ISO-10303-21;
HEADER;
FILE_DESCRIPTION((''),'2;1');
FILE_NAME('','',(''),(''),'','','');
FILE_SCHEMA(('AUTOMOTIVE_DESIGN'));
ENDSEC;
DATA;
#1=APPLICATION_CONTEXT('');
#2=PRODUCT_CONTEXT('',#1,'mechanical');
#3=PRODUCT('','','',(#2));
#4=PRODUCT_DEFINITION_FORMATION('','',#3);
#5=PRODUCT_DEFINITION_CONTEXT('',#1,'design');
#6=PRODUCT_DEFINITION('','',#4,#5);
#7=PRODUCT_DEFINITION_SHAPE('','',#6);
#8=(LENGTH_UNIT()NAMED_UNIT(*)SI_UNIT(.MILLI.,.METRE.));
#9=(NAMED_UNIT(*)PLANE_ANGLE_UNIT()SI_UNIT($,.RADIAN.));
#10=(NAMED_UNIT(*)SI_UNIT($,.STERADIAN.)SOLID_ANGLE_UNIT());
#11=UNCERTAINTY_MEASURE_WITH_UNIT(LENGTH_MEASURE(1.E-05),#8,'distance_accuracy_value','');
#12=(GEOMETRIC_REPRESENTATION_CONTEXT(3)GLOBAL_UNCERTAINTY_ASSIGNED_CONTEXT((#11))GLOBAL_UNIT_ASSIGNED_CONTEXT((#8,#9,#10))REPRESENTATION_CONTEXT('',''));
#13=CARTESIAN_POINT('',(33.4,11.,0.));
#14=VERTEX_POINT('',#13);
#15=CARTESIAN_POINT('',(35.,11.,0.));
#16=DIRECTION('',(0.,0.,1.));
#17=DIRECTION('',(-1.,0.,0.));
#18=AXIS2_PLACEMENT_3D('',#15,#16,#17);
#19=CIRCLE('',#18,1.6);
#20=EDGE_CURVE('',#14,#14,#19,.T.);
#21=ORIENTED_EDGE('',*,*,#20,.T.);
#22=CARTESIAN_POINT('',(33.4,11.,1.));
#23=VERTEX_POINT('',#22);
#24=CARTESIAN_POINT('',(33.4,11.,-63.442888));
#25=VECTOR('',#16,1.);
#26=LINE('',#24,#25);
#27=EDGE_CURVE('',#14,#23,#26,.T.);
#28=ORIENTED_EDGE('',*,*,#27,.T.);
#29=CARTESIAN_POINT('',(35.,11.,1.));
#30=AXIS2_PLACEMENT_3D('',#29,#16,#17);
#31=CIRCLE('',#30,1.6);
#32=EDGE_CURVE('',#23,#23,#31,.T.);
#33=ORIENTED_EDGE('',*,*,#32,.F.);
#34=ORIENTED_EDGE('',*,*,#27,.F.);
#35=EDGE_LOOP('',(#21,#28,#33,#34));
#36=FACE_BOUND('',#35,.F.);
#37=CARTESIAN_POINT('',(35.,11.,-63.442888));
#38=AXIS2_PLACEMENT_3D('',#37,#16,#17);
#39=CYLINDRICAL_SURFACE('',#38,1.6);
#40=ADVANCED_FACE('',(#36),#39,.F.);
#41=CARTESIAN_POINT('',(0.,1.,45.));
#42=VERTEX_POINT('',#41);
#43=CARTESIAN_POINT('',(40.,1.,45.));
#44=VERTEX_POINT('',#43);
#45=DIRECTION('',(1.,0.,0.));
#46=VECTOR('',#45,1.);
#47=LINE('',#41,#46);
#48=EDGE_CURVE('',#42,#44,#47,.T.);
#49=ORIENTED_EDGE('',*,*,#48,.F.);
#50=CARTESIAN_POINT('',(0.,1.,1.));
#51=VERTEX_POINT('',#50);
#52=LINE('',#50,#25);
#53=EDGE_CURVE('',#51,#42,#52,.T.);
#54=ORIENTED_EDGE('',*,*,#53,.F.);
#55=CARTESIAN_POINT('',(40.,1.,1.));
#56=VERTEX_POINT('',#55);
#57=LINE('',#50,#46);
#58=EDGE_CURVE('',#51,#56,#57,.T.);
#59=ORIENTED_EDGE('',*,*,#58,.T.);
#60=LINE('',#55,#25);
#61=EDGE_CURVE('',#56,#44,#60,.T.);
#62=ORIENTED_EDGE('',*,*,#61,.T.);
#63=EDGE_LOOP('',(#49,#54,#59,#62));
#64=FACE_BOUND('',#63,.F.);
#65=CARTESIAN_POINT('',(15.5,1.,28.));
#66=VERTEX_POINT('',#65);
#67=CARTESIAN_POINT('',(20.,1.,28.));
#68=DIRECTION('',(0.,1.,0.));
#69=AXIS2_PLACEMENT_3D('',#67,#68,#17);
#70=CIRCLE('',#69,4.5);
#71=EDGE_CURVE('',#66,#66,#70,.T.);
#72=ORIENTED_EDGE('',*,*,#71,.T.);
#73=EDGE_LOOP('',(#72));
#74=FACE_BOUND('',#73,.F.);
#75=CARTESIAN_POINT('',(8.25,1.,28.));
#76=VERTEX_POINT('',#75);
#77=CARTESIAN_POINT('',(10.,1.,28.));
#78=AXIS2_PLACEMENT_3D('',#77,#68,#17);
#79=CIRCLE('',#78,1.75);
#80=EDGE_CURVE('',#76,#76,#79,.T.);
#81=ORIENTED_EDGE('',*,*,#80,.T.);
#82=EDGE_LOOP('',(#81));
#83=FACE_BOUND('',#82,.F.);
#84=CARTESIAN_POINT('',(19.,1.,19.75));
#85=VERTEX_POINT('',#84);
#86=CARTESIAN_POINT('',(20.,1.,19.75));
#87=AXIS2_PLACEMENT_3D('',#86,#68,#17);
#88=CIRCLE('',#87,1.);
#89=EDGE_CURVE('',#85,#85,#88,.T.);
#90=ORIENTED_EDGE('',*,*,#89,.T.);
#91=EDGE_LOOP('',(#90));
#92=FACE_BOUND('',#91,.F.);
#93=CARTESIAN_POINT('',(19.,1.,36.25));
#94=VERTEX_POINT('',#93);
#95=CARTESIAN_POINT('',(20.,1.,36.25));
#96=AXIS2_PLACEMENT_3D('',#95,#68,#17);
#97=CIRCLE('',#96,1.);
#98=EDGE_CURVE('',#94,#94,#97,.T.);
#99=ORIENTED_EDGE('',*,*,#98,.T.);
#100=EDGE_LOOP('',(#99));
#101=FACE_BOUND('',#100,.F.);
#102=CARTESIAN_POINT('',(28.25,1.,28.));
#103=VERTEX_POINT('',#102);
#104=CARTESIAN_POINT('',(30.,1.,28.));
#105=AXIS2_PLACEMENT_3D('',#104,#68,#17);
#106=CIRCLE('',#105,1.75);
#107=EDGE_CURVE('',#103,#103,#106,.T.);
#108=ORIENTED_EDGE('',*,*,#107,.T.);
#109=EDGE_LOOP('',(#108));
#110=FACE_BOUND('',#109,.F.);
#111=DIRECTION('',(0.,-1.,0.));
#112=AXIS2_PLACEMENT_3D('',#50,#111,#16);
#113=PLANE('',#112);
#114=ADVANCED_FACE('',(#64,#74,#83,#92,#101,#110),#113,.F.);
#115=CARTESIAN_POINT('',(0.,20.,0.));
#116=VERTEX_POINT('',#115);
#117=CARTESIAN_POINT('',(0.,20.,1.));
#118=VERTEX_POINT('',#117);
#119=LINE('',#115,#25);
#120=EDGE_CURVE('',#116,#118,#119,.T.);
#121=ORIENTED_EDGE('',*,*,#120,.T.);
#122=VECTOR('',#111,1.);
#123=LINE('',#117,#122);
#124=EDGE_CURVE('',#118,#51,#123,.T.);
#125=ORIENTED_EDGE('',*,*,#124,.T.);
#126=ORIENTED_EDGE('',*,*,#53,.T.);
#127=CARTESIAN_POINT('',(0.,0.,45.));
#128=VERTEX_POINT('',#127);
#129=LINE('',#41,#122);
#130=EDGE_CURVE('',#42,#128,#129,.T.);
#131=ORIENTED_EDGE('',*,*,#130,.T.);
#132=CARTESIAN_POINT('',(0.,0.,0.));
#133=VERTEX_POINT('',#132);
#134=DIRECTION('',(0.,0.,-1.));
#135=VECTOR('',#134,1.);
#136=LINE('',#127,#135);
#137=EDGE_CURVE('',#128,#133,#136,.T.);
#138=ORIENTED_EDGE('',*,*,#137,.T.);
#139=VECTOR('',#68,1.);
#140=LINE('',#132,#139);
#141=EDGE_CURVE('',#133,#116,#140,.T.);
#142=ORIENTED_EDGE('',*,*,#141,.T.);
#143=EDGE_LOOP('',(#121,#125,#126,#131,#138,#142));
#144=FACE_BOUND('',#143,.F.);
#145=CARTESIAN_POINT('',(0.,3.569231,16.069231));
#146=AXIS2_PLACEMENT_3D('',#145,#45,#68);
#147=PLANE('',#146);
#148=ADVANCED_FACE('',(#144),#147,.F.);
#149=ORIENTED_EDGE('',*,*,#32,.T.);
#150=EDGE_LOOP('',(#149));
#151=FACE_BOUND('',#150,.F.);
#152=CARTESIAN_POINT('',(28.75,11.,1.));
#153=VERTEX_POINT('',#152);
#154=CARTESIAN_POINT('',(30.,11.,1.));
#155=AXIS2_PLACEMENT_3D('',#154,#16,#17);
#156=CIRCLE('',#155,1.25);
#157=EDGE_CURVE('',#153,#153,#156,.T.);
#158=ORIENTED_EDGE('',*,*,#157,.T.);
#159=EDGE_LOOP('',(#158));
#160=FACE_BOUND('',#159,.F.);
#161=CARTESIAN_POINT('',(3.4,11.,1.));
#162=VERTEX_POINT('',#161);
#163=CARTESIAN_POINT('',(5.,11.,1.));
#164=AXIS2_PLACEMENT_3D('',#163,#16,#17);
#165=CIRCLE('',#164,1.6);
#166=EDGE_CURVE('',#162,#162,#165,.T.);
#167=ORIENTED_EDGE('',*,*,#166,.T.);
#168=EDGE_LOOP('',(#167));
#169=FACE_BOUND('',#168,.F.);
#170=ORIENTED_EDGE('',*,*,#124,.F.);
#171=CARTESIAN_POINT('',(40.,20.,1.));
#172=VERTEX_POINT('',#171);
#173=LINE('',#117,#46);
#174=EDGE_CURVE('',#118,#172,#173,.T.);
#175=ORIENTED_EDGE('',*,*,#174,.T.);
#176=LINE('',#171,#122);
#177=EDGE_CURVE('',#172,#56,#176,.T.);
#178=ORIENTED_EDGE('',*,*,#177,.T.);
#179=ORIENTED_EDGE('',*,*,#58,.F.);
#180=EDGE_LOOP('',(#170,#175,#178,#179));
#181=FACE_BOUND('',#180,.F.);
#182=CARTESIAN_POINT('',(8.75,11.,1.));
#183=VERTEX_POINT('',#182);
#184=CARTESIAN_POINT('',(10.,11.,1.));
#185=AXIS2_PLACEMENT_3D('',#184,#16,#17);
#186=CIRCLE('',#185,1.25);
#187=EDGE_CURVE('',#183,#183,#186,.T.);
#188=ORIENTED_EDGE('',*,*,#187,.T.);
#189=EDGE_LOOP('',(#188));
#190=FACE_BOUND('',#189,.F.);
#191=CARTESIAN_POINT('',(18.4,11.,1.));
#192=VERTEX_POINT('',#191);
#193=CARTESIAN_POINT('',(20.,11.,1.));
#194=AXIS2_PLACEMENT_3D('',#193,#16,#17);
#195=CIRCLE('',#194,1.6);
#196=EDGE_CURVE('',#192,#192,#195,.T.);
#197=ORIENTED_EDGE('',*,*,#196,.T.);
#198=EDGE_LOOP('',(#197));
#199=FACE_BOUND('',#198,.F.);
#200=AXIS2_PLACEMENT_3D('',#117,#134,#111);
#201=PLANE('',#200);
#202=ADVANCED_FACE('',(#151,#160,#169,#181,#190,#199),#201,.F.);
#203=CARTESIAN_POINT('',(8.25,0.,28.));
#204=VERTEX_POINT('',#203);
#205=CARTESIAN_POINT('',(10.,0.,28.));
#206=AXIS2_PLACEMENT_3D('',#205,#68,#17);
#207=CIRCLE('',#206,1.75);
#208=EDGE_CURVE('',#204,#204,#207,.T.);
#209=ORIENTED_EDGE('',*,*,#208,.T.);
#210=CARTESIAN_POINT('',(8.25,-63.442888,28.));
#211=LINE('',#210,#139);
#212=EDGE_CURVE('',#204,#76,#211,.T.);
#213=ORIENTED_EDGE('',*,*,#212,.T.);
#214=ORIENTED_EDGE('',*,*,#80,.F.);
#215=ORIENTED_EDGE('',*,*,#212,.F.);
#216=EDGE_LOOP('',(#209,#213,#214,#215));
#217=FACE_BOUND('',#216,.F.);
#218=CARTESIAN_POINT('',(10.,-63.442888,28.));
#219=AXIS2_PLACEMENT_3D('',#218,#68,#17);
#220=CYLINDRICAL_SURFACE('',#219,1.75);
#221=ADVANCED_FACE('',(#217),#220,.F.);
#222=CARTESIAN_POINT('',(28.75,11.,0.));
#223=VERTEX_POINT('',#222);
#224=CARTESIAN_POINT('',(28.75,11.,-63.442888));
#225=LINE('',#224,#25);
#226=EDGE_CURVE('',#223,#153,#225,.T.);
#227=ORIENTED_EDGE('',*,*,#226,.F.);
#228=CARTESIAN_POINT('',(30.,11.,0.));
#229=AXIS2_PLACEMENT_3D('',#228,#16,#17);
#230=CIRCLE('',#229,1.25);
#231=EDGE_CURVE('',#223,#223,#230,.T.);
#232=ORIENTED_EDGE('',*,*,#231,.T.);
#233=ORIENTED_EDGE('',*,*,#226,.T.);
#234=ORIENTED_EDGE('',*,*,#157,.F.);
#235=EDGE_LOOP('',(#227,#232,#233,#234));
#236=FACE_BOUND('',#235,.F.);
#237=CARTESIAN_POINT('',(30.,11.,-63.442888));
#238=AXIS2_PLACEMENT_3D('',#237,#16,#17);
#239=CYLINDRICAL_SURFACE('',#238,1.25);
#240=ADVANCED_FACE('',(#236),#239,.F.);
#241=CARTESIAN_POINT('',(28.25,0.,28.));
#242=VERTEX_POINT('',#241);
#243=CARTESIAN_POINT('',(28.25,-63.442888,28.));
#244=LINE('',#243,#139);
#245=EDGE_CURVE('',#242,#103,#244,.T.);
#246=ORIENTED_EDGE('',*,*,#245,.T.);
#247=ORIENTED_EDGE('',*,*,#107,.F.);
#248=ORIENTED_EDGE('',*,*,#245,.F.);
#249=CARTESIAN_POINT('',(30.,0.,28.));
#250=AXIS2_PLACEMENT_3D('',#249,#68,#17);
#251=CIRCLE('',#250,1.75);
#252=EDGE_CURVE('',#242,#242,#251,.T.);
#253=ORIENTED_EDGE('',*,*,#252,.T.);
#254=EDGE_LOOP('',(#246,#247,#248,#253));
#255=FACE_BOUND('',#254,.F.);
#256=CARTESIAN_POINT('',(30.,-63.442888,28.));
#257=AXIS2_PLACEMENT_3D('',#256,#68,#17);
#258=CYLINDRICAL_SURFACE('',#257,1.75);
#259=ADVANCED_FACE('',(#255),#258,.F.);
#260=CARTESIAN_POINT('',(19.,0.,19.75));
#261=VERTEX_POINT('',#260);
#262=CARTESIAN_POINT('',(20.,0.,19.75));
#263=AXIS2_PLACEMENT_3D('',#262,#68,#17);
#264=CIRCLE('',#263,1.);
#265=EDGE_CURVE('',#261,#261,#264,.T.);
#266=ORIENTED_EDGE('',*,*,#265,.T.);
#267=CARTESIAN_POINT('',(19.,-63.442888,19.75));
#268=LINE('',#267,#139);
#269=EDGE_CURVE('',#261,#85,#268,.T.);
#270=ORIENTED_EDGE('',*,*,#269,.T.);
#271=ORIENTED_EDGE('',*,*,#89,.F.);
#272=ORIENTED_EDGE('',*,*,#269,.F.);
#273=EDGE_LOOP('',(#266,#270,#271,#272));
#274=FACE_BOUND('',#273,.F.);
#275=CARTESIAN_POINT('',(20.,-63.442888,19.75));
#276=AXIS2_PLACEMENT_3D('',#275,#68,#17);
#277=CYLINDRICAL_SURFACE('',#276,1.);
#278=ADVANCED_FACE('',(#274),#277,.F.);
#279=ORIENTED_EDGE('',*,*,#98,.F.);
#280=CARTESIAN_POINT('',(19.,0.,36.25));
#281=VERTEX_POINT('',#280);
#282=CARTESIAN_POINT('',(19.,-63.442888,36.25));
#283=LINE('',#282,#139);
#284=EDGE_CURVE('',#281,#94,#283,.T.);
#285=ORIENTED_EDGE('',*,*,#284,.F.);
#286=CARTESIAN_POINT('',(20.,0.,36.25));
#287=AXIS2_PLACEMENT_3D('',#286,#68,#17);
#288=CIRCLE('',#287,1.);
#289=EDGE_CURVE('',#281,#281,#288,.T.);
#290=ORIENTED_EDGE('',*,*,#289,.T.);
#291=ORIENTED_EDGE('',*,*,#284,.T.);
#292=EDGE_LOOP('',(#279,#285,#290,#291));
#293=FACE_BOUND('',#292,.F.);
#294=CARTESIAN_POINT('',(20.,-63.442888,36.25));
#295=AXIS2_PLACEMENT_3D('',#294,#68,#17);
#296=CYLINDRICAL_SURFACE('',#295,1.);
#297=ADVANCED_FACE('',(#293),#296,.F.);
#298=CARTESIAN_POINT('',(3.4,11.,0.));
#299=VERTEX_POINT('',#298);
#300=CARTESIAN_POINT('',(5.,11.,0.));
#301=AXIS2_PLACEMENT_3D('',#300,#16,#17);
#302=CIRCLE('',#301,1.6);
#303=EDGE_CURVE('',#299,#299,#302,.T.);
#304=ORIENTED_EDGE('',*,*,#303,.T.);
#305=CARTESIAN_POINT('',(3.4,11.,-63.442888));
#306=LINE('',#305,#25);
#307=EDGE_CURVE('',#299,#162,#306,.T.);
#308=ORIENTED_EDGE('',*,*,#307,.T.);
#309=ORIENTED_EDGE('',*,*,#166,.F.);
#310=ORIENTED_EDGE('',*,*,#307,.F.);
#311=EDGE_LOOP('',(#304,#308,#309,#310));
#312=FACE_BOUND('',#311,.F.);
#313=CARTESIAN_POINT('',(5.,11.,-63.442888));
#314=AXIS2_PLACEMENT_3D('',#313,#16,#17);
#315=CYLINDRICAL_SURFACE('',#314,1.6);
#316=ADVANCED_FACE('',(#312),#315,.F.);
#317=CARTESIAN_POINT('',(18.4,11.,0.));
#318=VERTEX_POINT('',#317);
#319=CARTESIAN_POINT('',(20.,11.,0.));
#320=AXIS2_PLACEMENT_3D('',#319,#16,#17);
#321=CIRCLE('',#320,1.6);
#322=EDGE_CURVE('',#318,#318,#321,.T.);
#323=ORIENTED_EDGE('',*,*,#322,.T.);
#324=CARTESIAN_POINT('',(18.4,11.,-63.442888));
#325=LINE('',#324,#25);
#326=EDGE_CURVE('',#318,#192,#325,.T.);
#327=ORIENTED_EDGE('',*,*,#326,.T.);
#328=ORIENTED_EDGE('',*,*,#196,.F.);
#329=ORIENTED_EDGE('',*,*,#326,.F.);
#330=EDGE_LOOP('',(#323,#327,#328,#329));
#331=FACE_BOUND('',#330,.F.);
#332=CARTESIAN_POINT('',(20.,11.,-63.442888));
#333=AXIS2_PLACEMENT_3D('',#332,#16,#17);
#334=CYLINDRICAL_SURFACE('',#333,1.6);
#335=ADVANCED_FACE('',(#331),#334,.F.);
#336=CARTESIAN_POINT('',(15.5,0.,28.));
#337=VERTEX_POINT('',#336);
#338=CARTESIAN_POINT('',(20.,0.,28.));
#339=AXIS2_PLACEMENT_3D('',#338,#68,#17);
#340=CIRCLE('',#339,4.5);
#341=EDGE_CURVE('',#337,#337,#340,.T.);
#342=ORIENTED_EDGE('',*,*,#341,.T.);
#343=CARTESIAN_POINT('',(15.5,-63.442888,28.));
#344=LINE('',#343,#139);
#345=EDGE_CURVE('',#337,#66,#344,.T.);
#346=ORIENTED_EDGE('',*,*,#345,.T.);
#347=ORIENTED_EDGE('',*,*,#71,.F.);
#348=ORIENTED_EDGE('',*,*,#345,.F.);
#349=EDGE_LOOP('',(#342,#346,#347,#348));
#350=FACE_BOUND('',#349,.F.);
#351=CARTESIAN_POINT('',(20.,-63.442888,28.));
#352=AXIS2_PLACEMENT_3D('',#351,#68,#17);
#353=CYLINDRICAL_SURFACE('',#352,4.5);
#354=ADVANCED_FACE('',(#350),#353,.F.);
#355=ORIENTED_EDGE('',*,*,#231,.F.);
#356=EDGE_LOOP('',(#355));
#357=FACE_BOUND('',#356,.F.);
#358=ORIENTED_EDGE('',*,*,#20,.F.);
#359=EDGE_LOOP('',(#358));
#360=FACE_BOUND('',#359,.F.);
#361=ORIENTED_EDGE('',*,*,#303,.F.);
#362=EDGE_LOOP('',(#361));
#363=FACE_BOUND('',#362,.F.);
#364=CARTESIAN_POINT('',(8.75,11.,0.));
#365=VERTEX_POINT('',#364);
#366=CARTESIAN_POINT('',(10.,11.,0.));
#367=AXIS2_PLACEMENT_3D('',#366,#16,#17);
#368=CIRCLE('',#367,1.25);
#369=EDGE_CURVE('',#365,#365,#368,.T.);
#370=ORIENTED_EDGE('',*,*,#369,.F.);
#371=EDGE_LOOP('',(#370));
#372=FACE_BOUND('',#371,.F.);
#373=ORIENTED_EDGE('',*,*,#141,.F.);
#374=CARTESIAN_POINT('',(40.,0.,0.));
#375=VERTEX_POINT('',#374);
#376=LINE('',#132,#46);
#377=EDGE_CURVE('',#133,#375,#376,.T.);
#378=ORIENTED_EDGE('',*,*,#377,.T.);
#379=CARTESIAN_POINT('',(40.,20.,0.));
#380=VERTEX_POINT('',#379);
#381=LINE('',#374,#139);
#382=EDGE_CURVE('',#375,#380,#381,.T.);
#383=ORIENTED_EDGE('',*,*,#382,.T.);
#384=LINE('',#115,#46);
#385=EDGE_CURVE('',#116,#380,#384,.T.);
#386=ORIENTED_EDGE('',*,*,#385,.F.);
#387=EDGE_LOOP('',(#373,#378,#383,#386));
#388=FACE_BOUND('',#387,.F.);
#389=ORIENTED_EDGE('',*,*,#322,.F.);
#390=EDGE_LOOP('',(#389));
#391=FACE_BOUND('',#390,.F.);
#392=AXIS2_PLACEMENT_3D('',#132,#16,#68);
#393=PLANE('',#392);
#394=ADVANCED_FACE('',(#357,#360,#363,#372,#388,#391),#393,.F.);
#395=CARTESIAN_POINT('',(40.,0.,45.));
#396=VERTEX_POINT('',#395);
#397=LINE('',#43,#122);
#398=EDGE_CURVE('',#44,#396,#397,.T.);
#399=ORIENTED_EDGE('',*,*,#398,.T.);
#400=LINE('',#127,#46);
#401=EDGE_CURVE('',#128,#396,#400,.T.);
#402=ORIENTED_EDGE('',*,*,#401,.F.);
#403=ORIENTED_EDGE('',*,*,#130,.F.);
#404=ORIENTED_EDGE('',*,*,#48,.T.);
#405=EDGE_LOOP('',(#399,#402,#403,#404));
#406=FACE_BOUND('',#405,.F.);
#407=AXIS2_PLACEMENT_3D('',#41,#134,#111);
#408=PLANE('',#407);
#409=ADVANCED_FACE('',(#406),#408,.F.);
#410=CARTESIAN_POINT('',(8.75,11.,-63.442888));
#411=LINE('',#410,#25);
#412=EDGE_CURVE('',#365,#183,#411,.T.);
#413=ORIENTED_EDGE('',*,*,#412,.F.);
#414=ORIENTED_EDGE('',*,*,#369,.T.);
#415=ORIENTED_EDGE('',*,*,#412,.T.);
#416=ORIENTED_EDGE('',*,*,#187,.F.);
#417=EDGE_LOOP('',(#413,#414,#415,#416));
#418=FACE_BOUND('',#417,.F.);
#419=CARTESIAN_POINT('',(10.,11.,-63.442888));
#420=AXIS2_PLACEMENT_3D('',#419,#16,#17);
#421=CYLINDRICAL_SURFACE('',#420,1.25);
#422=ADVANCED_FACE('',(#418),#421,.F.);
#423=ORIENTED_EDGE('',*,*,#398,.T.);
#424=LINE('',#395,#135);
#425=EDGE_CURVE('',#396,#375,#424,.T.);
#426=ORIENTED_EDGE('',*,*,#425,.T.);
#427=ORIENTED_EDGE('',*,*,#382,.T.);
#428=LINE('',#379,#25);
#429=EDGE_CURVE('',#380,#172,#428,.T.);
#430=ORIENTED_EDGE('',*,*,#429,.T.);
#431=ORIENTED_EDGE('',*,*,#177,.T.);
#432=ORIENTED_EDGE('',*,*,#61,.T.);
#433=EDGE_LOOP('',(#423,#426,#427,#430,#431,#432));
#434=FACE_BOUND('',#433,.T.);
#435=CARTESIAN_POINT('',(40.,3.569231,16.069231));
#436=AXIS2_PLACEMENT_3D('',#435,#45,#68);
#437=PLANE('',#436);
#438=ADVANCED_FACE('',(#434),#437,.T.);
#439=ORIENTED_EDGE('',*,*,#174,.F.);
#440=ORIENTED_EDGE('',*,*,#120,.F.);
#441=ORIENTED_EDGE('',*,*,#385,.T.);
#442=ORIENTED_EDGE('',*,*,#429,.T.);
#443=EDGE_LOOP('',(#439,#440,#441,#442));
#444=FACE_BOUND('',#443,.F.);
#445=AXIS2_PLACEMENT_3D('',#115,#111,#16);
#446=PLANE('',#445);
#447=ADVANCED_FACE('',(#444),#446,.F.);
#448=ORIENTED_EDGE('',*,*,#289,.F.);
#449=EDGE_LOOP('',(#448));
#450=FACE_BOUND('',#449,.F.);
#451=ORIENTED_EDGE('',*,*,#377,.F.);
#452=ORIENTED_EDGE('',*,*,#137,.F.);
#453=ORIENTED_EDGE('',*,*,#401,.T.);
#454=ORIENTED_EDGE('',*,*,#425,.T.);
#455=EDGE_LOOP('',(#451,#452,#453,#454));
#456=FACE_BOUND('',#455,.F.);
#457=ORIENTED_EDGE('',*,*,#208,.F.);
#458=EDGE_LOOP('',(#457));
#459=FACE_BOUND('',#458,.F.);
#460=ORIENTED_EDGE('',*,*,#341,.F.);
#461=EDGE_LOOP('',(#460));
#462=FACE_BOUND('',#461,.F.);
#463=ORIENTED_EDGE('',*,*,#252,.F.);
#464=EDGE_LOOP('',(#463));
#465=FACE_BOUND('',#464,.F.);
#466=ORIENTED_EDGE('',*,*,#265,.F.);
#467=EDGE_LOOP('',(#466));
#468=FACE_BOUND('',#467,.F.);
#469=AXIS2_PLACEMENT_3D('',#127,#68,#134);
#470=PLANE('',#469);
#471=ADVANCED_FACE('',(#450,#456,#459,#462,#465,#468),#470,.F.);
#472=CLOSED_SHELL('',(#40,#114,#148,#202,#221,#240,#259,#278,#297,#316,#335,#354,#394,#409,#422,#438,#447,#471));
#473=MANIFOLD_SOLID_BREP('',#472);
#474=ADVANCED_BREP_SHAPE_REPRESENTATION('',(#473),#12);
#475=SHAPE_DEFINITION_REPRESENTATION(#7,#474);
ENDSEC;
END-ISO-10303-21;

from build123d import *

# Parameters (mm, degrees)
F1_DEPTH = 40
F4_D     = 3.5
F5_D     = 9
F6_D     = 2
F7_D     = 3.2
F8_D     = 2.5


with BuildPart() as f1:
    # F0 (on Right) → F1 (new body)
    with BuildSketch(Plane.YZ):
        Polygon((0, 45), (0, 0), (20, 0), (20, 1), (1, 1), (1, 45), align=None)
    extrude(amount=F1_DEPTH)

    # F4 (through all)
    with Locations(Plane.XZ):
        with Locations((10, 28), (30, 28)):
            Hole(F4_D / 2)

    # F5 (through all)
    with Locations(Plane.XZ):
        with Locations((20, 28)):
            Hole(F5_D / 2)

    # F6 (through all)
    with Locations(Plane.XZ):
        with Locations((20, 19.75), (20, 36.25)):
            Hole(F6_D / 2)

    # F7 (through all)
    with Locations(Plane(origin=(0, 0, 0), x_dir=(1, 0, 0), z_dir=(0, 0, -1))):
        with Locations((5, -11), (20, -11), (35, -11)):
            Hole(F7_D / 2)

    # F8 (through all)
    with Locations(Plane(origin=(0, 0, 0), x_dir=(1, 0, 0), z_dir=(0, 0, -1))):
        with Locations((10, -11), (30, -11)):
            Hole(F8_D / 2)


solid = f1.part
